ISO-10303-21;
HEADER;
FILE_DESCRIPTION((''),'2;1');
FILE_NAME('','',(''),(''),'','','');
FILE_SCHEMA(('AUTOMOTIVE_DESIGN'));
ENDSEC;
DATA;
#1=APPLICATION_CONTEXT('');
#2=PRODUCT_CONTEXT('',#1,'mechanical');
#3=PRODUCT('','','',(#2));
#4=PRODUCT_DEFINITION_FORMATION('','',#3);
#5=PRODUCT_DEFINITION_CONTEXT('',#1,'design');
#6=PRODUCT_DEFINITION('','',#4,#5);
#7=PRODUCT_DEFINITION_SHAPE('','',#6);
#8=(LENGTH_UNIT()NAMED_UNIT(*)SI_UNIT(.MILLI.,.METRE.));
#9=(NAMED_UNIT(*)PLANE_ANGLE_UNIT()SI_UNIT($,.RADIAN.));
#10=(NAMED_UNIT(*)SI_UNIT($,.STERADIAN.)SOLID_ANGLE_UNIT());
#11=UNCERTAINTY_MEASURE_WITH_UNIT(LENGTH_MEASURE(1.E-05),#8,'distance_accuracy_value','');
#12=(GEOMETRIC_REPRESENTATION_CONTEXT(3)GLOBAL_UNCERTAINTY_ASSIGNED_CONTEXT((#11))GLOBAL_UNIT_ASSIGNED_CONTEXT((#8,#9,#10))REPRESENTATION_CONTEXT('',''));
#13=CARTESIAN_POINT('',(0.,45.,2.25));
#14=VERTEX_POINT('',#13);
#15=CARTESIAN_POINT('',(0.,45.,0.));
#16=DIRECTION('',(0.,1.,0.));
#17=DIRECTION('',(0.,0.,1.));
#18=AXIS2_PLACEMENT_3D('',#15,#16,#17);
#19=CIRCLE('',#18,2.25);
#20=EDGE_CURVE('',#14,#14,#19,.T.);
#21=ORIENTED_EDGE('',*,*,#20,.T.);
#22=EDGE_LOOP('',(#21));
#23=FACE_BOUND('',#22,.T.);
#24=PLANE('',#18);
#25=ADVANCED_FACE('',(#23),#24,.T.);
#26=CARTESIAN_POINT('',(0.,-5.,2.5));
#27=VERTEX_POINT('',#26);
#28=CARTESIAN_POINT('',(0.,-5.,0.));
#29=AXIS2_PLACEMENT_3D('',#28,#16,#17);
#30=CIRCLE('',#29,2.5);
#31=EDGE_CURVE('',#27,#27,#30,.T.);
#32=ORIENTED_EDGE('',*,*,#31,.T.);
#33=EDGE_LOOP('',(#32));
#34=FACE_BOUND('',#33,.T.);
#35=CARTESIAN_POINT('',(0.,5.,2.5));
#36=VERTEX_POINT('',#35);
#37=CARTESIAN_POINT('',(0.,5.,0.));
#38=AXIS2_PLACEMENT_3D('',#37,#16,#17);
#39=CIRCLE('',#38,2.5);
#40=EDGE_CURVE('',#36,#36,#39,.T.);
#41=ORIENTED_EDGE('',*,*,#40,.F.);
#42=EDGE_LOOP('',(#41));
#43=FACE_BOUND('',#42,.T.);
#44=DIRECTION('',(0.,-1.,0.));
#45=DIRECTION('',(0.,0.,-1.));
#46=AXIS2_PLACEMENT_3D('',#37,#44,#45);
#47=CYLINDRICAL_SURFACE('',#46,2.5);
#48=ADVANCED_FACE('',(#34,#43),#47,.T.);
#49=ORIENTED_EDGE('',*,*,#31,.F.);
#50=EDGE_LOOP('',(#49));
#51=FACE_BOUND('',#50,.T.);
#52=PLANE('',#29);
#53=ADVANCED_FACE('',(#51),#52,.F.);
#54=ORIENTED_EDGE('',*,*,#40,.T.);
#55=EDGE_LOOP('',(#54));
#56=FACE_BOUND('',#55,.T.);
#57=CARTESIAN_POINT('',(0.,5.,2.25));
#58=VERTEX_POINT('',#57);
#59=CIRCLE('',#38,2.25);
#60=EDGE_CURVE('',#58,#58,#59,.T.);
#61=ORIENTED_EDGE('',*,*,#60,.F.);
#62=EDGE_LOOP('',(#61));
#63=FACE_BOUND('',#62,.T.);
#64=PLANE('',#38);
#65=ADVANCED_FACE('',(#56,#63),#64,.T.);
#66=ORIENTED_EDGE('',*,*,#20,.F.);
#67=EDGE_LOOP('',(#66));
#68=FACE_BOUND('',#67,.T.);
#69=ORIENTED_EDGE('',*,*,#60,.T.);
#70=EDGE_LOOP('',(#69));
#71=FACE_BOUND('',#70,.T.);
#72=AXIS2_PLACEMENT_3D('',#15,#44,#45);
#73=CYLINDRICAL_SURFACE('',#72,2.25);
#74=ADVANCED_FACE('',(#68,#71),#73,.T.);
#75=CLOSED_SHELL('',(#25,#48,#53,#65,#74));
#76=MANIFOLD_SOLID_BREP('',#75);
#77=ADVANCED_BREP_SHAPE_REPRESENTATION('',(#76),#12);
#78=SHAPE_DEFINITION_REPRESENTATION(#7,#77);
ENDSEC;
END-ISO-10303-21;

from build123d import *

# Parameters (mm, degrees)
SKETCH1_R           = 2.5
BOSS_EXTRUDE1_DEPTH = 5
SKETCH2_R           = 2.25
BOSS_EXTRUDE2_DEPTH = 40


with BuildPart() as part:
    # Sketch1 → Boss-Extrude1 (new, symmetric)
    with BuildSketch(Plane(origin=(0, 0, 0), x_dir=(1, 0, 0), z_dir=(0, 1, 0))):
        with Locations(Location((0, 0, 0), (0, 0, 270))):
            Circle(SKETCH1_R)
    extrude(amount=BOSS_EXTRUDE1_DEPTH, both=True)

    # Sketch2 → Boss-Extrude2 (add)
    with BuildSketch(Plane(origin=(0, 5, 0), x_dir=(1, 0, 0), z_dir=(0, 1, 0))):
        with Locations(Location((0, 0, 0), (0, 0, 270))):
            Circle(SKETCH2_R)
    extrude(amount=BOSS_EXTRUDE2_DEPTH)


solid = part.part
